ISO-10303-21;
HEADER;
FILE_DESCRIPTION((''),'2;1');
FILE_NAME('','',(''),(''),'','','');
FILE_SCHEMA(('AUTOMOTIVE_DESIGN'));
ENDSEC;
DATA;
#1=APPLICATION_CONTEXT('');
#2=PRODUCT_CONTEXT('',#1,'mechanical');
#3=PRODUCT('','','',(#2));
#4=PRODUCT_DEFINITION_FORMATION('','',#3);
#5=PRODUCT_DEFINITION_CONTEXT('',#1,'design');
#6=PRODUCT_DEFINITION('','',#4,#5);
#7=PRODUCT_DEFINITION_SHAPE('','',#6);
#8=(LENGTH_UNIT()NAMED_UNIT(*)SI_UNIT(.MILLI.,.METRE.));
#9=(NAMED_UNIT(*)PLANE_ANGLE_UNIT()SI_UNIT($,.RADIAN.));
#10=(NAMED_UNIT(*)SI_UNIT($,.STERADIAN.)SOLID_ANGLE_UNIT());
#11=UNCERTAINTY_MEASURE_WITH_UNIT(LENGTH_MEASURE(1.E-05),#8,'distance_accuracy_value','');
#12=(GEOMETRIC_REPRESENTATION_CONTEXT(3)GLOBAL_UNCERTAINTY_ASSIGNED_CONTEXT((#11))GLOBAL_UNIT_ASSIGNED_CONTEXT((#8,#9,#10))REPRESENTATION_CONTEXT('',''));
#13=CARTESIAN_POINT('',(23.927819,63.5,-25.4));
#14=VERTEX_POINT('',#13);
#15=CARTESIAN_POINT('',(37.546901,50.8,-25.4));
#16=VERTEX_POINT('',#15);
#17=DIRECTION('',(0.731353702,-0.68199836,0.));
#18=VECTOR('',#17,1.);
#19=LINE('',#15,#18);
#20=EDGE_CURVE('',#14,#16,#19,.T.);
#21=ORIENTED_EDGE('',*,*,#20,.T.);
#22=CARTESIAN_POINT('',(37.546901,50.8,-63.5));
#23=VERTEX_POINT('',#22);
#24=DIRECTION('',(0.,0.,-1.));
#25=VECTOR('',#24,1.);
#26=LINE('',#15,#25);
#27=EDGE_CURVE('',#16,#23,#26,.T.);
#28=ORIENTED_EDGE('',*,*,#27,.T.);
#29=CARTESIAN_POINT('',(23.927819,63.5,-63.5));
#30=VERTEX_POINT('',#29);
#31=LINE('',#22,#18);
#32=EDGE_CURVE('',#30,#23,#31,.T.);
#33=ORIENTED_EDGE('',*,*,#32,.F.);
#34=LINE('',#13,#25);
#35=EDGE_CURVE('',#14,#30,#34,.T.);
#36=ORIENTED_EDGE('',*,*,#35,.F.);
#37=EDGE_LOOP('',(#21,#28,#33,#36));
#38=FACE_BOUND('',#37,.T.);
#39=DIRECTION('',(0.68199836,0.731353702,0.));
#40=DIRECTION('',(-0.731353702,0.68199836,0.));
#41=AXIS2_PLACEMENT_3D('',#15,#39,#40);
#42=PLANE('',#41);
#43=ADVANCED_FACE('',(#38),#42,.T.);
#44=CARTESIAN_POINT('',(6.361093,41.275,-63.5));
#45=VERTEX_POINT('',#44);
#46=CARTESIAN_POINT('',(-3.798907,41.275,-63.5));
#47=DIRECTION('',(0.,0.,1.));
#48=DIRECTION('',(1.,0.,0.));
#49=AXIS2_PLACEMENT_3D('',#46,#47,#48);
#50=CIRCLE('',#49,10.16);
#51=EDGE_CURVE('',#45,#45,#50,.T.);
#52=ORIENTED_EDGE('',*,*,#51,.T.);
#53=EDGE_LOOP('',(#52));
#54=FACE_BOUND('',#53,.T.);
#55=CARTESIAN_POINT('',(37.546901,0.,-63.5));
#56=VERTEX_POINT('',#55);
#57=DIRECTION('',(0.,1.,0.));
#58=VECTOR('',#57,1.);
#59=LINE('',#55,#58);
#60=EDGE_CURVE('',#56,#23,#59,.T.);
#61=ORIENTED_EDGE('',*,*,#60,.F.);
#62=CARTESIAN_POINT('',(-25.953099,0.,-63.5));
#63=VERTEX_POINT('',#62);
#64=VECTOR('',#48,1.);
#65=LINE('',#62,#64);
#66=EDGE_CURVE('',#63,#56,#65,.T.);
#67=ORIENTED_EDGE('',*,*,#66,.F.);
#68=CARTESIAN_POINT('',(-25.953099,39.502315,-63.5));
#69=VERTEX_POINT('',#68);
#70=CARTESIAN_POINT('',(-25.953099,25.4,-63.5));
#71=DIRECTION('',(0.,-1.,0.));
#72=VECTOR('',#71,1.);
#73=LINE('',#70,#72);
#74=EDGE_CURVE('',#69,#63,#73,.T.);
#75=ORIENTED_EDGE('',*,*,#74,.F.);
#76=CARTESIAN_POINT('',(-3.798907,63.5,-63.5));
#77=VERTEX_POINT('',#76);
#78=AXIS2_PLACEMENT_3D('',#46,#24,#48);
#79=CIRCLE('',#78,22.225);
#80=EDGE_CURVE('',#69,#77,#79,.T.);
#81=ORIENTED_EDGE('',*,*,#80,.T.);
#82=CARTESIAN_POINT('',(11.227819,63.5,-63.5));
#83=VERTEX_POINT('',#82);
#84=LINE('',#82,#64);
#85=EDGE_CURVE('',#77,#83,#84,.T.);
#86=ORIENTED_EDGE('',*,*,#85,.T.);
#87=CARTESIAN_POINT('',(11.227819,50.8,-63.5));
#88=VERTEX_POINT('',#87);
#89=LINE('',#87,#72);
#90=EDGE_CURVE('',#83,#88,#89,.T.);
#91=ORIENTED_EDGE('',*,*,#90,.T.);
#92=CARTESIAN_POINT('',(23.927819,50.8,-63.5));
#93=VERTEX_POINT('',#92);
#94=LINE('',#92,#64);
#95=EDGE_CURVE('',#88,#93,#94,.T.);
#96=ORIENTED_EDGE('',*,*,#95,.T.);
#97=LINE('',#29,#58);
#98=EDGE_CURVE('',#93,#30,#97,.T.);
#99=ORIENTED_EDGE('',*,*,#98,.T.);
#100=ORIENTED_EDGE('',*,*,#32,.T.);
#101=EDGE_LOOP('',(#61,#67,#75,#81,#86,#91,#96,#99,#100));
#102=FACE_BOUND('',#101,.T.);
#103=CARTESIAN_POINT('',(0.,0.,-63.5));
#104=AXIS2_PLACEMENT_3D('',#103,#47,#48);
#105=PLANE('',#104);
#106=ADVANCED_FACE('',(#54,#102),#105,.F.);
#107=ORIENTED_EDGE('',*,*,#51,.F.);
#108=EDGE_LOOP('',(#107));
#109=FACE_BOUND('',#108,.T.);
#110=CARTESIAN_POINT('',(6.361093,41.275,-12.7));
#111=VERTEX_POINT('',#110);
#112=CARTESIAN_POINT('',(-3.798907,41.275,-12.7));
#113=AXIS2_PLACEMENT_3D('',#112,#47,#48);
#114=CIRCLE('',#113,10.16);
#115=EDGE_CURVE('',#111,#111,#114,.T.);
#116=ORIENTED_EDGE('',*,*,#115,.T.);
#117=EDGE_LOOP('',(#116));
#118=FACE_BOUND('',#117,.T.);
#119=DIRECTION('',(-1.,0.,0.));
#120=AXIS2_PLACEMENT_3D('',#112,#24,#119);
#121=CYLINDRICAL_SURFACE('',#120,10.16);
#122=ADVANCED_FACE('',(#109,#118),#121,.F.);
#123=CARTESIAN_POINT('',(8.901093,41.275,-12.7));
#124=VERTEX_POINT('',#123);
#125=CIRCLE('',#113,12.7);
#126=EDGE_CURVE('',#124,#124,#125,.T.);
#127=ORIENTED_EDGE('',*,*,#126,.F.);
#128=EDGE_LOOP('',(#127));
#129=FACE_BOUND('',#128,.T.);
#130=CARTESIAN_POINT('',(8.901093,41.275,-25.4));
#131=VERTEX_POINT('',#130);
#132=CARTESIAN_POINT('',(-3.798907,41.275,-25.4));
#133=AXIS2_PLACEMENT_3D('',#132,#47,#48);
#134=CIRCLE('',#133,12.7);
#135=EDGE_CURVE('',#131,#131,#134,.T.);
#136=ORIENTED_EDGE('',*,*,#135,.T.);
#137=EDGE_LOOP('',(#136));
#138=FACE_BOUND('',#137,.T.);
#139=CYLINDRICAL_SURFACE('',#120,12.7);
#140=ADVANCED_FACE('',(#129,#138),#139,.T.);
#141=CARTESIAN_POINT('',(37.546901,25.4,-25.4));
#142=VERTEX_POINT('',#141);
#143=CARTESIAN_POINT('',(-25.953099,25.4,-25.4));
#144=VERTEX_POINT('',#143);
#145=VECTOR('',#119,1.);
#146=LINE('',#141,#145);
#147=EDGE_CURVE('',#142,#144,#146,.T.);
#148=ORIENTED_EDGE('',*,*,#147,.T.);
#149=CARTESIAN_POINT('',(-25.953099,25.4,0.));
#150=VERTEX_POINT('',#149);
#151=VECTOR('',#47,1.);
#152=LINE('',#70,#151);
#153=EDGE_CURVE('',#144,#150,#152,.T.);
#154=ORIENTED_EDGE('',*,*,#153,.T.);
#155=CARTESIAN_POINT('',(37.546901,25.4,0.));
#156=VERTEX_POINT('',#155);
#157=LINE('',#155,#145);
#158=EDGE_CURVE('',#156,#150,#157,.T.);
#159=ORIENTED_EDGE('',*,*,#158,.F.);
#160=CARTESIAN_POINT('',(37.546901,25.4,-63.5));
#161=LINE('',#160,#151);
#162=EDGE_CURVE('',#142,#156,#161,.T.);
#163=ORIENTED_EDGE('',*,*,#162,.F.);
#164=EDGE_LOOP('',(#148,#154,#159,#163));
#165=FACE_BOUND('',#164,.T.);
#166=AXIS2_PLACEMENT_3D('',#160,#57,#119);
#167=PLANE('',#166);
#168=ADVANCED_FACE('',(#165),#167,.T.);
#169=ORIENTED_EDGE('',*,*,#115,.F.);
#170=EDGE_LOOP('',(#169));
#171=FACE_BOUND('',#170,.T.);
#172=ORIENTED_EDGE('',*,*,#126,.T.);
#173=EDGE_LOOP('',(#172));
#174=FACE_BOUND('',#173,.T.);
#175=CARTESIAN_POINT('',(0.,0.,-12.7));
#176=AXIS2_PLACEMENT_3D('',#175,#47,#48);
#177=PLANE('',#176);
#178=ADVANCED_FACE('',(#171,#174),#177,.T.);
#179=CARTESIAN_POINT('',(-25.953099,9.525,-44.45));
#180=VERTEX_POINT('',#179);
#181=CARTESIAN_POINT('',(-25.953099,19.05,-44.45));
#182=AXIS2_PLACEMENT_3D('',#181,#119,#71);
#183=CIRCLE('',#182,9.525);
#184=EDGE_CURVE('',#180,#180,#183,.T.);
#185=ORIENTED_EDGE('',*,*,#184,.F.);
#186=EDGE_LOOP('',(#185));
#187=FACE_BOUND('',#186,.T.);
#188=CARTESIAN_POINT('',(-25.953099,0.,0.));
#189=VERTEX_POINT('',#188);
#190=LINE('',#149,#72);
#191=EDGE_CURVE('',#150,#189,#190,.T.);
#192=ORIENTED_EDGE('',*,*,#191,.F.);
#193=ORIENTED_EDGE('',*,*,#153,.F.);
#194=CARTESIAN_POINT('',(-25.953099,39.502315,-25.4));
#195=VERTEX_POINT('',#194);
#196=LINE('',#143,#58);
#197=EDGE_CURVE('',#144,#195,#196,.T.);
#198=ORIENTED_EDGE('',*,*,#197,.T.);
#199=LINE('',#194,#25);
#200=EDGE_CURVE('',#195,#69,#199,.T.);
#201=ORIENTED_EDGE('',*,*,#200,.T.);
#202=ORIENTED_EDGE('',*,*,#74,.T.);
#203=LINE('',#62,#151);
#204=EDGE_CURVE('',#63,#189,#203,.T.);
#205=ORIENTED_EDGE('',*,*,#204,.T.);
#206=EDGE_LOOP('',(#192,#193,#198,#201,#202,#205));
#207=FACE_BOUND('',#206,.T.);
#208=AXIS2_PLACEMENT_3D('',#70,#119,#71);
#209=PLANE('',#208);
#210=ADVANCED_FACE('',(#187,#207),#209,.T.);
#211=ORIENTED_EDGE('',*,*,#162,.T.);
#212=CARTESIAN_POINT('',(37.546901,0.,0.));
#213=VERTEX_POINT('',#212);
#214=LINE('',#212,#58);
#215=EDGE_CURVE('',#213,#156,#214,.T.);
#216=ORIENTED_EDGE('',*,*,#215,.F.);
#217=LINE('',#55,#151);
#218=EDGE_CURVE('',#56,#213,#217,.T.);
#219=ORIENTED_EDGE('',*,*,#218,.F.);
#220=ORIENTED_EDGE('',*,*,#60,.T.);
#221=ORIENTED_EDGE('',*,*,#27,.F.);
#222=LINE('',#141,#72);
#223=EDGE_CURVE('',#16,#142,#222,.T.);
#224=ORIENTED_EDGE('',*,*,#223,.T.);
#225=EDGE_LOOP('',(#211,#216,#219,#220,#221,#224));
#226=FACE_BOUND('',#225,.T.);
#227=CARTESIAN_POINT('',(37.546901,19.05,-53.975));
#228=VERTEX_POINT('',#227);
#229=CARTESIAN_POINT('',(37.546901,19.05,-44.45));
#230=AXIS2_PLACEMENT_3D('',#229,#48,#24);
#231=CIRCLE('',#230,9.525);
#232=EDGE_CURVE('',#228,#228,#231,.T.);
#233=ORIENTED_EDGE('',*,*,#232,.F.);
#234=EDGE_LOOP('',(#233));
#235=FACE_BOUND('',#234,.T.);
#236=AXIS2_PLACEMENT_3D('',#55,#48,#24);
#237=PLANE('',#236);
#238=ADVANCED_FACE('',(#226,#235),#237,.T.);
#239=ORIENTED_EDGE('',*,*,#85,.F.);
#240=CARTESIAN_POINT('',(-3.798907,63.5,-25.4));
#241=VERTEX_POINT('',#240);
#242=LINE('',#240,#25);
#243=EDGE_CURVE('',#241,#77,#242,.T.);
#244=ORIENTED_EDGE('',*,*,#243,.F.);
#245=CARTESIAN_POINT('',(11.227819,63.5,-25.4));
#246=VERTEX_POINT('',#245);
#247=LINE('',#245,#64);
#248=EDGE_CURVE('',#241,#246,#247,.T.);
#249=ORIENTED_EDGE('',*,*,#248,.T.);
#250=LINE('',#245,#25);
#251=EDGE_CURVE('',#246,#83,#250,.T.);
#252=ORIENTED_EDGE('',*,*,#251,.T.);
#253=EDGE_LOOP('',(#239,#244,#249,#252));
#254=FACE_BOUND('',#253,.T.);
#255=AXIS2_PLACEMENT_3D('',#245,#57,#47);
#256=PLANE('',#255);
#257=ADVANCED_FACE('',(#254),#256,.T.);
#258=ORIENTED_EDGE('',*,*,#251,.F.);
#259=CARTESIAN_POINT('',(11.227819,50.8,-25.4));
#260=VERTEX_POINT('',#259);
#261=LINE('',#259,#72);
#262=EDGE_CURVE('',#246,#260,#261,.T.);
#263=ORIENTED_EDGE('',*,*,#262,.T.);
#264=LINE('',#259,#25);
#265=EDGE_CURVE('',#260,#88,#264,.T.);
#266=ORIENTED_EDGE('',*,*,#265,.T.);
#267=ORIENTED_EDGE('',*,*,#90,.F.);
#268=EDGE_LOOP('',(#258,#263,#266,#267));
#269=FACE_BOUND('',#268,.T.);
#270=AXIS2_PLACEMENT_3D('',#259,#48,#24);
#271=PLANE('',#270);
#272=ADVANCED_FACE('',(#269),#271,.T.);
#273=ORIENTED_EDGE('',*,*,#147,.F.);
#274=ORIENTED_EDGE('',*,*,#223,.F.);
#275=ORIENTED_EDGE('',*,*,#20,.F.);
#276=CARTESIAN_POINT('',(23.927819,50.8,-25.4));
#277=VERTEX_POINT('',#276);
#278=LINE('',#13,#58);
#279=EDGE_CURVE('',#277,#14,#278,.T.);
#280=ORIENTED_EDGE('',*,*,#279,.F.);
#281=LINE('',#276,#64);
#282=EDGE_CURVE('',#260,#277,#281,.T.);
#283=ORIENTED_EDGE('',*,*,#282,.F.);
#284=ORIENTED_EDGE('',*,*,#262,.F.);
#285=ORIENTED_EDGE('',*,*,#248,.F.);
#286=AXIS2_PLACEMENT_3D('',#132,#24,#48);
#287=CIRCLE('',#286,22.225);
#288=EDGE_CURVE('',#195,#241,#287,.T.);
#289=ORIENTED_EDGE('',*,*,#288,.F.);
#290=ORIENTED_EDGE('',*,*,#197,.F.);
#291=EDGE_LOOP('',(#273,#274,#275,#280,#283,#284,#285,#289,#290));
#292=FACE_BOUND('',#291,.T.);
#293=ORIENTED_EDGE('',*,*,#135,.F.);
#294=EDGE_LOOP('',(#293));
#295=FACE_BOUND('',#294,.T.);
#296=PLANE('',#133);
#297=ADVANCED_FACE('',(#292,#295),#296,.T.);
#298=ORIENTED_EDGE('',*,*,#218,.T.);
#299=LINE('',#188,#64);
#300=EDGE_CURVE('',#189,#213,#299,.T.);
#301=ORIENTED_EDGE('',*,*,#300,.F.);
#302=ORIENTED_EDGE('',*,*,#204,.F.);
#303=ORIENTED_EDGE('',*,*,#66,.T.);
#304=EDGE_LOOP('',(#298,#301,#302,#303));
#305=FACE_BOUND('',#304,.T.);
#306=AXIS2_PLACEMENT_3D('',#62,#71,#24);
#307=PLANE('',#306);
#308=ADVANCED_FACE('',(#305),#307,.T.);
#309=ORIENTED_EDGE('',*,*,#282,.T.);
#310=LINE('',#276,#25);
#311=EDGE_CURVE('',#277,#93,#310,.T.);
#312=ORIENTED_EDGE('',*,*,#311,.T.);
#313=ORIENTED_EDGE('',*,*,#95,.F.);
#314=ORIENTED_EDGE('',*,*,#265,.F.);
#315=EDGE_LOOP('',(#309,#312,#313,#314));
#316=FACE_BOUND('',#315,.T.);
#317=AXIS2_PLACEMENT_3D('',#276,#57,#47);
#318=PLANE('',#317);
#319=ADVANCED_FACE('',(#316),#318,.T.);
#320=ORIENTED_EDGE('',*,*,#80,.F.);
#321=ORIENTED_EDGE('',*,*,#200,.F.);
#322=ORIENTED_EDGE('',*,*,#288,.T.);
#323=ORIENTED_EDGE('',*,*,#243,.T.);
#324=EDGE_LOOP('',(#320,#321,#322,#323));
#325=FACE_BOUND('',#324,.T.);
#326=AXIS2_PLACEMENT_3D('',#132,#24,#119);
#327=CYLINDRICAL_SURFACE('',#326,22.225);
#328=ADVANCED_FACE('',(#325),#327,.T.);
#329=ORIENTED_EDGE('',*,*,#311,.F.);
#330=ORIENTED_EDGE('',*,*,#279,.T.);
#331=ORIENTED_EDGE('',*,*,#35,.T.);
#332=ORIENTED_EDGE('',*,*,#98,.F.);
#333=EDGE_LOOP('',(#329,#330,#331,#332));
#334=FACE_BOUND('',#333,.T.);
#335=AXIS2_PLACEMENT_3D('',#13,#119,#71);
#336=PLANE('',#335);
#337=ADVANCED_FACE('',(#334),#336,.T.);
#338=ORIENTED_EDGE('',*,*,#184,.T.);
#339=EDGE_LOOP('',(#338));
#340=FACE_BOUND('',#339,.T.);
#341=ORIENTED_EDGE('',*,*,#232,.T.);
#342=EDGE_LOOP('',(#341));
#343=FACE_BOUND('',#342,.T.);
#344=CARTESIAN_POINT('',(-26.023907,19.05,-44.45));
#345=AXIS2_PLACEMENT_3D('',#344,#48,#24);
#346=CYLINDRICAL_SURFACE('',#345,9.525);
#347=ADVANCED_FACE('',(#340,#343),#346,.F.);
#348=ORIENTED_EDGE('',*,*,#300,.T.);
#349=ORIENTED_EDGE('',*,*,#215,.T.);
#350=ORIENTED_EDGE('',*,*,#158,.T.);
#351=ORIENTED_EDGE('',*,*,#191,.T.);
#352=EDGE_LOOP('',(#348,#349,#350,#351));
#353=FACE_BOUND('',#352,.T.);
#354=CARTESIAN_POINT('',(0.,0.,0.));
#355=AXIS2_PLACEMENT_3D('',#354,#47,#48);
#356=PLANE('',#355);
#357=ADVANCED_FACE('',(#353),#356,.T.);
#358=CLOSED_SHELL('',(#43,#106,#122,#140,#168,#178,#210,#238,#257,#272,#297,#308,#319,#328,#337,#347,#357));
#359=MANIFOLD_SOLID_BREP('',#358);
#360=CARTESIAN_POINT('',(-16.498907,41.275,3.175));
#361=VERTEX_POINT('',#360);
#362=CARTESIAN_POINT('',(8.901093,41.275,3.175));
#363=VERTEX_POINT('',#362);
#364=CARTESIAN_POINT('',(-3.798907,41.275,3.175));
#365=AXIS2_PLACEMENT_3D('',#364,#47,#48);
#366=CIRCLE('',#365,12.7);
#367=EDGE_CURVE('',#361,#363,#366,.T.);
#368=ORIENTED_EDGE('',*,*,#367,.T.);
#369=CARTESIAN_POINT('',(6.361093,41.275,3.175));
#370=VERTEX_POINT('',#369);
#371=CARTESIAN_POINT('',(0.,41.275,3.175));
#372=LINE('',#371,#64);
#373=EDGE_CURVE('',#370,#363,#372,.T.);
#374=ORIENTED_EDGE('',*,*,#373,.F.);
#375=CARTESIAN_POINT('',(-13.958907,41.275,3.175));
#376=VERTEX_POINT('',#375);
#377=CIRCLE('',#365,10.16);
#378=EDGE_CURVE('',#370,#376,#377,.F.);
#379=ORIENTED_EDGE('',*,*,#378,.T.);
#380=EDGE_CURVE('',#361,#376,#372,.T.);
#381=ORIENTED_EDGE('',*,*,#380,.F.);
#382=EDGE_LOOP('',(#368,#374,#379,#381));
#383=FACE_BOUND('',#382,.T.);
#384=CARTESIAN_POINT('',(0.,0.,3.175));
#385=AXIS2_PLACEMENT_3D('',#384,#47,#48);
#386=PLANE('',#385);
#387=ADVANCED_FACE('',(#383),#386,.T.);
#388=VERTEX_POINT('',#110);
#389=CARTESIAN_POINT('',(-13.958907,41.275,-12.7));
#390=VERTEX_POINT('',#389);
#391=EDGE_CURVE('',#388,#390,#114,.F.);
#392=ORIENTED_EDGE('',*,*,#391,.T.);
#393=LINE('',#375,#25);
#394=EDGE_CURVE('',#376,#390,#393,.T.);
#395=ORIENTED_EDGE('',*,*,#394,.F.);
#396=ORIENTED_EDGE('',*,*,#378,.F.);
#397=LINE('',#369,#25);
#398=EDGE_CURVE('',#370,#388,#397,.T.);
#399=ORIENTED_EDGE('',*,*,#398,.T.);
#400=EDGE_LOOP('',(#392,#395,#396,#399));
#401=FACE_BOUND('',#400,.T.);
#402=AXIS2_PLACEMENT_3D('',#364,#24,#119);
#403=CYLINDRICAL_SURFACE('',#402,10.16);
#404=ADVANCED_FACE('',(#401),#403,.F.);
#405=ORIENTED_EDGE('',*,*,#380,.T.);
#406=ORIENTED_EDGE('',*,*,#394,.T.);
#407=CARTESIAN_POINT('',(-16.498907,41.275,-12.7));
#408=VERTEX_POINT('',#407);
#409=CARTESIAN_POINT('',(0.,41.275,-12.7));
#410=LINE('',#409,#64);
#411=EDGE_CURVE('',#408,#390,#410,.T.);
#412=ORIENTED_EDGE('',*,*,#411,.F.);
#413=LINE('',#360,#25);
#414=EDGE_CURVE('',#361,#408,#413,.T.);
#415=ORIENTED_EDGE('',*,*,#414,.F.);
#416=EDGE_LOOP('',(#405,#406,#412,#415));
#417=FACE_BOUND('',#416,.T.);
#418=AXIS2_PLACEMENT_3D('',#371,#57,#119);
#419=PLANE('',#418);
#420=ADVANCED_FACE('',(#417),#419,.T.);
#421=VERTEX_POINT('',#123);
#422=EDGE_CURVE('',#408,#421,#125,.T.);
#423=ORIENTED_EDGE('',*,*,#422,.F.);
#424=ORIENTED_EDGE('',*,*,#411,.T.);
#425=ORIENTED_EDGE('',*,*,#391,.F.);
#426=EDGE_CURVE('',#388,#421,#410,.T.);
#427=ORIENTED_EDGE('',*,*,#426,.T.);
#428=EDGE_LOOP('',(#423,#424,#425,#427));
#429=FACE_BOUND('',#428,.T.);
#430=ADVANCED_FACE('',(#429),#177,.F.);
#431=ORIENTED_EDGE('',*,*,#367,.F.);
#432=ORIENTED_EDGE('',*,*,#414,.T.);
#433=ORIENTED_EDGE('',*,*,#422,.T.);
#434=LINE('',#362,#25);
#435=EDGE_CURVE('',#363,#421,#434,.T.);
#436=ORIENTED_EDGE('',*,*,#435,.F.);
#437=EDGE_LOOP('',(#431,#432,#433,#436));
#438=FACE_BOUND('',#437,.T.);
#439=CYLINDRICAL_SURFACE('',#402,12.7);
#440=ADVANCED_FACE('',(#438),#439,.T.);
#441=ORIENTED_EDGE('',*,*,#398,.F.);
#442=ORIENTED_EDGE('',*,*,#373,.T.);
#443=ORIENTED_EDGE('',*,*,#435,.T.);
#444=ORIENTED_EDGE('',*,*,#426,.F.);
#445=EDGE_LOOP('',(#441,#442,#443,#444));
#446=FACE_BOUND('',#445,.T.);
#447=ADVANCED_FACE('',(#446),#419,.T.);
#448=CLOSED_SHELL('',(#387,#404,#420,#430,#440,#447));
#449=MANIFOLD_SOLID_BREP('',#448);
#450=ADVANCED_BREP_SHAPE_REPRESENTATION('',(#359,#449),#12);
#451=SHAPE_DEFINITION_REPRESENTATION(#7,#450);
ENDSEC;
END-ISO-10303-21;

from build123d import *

# Parameters (mm, degrees)
SKETCH1_W           = 63.5
SKETCH1_H           = 25.4
BOSS_EXTRUDE1_DEPTH = 63.5
BOSS_EXTRUDE2_DEPTH = 38.1
BOSS_EXTRUDE3_DEPTH = 12.7
BOSS_EXTRUDE4_DEPTH = 15.875
SKETCH5_R           = 10.16
CUT_EXTRUDE1_DEPTH  = 84.027885603
SKETCH6_R           = 9.525
CUT_EXTRUDE2_DEPTH  = 111.026122617


with BuildPart() as part:
    # Sketch1 → Boss-Extrude1 (new body)
    with BuildSketch(Plane.XY):
        with Locations((5.796901173, 12.7)):
            Rectangle(SKETCH1_W, SKETCH1_H)
    extrude(amount=-BOSS_EXTRUDE1_DEPTH)

    # Sketch2 → Boss-Extrude2 (add)
    with BuildSketch(Plane(origin=(0, 0, -63.5), x_dir=(-1, 0, 0), z_dir=(0, 0, -1))):
        with BuildLine():
            Line((-37.546901173, 25.4), (-37.546901173, 50.8))
            Line((-37.546901173, 50.8), (-23.927818555, 63.5))
            Line((-23.927818555, 63.5), (-23.927818555, 50.8))
            Line((-23.927818555, 50.8), (-11.227818555, 50.8))
            Line((-11.227818555, 50.8), (-11.227818555, 63.5))
            Line((-11.227818555, 63.5), (3.79890705, 63.5))
            ThreePointArc((3.79890705, 63.5), (20.129071571, 56.350687438), (25.953098827, 39.502315117))
            Line((25.953098827, 39.502315117), (25.953098827, 25.4))
            Line((25.953098827, 25.4), (-37.546901173, 25.4))
        make_face()
    extrude(amount=-BOSS_EXTRUDE2_DEPTH)

    # Sketch3 → Boss-Extrude3 (add)
    with BuildSketch(Plane.XY.offset(-25.4)):
        with BuildLine():
            ThreePointArc((-13.95890705, 41.275), (-3.79890705, 51.435), (6.36109295, 41.275))
            Line((6.36109295, 41.275), (8.90109295, 41.275))
            ThreePointArc((8.90109295, 41.275), (-3.79890705, 53.975), (-16.49890705, 41.275))
            Line((-16.49890705, 41.275), (-13.95890705, 41.275))
        make_face()
        with BuildLine():
            Line((8.90109295, 41.275), (6.36109295, 41.275))
            ThreePointArc((6.36109295, 41.275), (-3.79890705, 31.115), (-13.95890705, 41.275))
            Line((-13.95890705, 41.275), (-16.49890705, 41.275))
            ThreePointArc((-16.49890705, 41.275), (-3.79890705, 28.575), (8.90109295, 41.275))
        make_face()
    extrude(amount=BOSS_EXTRUDE3_DEPTH)

    # Sketch5 → Cut-Extrude1 (cut, through all)
    with BuildSketch(Plane.XY.offset(-25.4)):
        with Locations((-3.79890705, 41.275)):
            Circle(SKETCH5_R)
    extrude(amount=-CUT_EXTRUDE1_DEPTH, mode=Mode.SUBTRACT)

    # Sketch6 → Cut-Extrude2 (cut, through all)
    with BuildSketch(Plane(origin=(37.546901173, 0, 0), x_dir=(0, 0, -1), z_dir=(1, 0, 0))):
        with Locations((44.45, 19.05)):
            Circle(SKETCH6_R)
    extrude(amount=-CUT_EXTRUDE2_DEPTH, mode=Mode.SUBTRACT)


with BuildPart() as body_2:
    # Sketch4 → Boss-Extrude4 (new body)
    with BuildSketch(Plane.XY.offset(-12.7)):
        with BuildLine():
            Line((-13.95890705, 41.275), (-16.49890705, 41.275))
            ThreePointArc((-16.49890705, 41.275), (-3.79890705, 28.575), (8.90109295, 41.275))
            Line((8.90109295, 41.275), (6.36109295, 41.275))
            ThreePointArc((6.36109295, 41.275), (-3.79890705, 31.115), (-13.95890705, 41.275))
        make_face()
    extrude(amount=BOSS_EXTRUDE4_DEPTH)


solid = Compound([part.part, body_2.part])
